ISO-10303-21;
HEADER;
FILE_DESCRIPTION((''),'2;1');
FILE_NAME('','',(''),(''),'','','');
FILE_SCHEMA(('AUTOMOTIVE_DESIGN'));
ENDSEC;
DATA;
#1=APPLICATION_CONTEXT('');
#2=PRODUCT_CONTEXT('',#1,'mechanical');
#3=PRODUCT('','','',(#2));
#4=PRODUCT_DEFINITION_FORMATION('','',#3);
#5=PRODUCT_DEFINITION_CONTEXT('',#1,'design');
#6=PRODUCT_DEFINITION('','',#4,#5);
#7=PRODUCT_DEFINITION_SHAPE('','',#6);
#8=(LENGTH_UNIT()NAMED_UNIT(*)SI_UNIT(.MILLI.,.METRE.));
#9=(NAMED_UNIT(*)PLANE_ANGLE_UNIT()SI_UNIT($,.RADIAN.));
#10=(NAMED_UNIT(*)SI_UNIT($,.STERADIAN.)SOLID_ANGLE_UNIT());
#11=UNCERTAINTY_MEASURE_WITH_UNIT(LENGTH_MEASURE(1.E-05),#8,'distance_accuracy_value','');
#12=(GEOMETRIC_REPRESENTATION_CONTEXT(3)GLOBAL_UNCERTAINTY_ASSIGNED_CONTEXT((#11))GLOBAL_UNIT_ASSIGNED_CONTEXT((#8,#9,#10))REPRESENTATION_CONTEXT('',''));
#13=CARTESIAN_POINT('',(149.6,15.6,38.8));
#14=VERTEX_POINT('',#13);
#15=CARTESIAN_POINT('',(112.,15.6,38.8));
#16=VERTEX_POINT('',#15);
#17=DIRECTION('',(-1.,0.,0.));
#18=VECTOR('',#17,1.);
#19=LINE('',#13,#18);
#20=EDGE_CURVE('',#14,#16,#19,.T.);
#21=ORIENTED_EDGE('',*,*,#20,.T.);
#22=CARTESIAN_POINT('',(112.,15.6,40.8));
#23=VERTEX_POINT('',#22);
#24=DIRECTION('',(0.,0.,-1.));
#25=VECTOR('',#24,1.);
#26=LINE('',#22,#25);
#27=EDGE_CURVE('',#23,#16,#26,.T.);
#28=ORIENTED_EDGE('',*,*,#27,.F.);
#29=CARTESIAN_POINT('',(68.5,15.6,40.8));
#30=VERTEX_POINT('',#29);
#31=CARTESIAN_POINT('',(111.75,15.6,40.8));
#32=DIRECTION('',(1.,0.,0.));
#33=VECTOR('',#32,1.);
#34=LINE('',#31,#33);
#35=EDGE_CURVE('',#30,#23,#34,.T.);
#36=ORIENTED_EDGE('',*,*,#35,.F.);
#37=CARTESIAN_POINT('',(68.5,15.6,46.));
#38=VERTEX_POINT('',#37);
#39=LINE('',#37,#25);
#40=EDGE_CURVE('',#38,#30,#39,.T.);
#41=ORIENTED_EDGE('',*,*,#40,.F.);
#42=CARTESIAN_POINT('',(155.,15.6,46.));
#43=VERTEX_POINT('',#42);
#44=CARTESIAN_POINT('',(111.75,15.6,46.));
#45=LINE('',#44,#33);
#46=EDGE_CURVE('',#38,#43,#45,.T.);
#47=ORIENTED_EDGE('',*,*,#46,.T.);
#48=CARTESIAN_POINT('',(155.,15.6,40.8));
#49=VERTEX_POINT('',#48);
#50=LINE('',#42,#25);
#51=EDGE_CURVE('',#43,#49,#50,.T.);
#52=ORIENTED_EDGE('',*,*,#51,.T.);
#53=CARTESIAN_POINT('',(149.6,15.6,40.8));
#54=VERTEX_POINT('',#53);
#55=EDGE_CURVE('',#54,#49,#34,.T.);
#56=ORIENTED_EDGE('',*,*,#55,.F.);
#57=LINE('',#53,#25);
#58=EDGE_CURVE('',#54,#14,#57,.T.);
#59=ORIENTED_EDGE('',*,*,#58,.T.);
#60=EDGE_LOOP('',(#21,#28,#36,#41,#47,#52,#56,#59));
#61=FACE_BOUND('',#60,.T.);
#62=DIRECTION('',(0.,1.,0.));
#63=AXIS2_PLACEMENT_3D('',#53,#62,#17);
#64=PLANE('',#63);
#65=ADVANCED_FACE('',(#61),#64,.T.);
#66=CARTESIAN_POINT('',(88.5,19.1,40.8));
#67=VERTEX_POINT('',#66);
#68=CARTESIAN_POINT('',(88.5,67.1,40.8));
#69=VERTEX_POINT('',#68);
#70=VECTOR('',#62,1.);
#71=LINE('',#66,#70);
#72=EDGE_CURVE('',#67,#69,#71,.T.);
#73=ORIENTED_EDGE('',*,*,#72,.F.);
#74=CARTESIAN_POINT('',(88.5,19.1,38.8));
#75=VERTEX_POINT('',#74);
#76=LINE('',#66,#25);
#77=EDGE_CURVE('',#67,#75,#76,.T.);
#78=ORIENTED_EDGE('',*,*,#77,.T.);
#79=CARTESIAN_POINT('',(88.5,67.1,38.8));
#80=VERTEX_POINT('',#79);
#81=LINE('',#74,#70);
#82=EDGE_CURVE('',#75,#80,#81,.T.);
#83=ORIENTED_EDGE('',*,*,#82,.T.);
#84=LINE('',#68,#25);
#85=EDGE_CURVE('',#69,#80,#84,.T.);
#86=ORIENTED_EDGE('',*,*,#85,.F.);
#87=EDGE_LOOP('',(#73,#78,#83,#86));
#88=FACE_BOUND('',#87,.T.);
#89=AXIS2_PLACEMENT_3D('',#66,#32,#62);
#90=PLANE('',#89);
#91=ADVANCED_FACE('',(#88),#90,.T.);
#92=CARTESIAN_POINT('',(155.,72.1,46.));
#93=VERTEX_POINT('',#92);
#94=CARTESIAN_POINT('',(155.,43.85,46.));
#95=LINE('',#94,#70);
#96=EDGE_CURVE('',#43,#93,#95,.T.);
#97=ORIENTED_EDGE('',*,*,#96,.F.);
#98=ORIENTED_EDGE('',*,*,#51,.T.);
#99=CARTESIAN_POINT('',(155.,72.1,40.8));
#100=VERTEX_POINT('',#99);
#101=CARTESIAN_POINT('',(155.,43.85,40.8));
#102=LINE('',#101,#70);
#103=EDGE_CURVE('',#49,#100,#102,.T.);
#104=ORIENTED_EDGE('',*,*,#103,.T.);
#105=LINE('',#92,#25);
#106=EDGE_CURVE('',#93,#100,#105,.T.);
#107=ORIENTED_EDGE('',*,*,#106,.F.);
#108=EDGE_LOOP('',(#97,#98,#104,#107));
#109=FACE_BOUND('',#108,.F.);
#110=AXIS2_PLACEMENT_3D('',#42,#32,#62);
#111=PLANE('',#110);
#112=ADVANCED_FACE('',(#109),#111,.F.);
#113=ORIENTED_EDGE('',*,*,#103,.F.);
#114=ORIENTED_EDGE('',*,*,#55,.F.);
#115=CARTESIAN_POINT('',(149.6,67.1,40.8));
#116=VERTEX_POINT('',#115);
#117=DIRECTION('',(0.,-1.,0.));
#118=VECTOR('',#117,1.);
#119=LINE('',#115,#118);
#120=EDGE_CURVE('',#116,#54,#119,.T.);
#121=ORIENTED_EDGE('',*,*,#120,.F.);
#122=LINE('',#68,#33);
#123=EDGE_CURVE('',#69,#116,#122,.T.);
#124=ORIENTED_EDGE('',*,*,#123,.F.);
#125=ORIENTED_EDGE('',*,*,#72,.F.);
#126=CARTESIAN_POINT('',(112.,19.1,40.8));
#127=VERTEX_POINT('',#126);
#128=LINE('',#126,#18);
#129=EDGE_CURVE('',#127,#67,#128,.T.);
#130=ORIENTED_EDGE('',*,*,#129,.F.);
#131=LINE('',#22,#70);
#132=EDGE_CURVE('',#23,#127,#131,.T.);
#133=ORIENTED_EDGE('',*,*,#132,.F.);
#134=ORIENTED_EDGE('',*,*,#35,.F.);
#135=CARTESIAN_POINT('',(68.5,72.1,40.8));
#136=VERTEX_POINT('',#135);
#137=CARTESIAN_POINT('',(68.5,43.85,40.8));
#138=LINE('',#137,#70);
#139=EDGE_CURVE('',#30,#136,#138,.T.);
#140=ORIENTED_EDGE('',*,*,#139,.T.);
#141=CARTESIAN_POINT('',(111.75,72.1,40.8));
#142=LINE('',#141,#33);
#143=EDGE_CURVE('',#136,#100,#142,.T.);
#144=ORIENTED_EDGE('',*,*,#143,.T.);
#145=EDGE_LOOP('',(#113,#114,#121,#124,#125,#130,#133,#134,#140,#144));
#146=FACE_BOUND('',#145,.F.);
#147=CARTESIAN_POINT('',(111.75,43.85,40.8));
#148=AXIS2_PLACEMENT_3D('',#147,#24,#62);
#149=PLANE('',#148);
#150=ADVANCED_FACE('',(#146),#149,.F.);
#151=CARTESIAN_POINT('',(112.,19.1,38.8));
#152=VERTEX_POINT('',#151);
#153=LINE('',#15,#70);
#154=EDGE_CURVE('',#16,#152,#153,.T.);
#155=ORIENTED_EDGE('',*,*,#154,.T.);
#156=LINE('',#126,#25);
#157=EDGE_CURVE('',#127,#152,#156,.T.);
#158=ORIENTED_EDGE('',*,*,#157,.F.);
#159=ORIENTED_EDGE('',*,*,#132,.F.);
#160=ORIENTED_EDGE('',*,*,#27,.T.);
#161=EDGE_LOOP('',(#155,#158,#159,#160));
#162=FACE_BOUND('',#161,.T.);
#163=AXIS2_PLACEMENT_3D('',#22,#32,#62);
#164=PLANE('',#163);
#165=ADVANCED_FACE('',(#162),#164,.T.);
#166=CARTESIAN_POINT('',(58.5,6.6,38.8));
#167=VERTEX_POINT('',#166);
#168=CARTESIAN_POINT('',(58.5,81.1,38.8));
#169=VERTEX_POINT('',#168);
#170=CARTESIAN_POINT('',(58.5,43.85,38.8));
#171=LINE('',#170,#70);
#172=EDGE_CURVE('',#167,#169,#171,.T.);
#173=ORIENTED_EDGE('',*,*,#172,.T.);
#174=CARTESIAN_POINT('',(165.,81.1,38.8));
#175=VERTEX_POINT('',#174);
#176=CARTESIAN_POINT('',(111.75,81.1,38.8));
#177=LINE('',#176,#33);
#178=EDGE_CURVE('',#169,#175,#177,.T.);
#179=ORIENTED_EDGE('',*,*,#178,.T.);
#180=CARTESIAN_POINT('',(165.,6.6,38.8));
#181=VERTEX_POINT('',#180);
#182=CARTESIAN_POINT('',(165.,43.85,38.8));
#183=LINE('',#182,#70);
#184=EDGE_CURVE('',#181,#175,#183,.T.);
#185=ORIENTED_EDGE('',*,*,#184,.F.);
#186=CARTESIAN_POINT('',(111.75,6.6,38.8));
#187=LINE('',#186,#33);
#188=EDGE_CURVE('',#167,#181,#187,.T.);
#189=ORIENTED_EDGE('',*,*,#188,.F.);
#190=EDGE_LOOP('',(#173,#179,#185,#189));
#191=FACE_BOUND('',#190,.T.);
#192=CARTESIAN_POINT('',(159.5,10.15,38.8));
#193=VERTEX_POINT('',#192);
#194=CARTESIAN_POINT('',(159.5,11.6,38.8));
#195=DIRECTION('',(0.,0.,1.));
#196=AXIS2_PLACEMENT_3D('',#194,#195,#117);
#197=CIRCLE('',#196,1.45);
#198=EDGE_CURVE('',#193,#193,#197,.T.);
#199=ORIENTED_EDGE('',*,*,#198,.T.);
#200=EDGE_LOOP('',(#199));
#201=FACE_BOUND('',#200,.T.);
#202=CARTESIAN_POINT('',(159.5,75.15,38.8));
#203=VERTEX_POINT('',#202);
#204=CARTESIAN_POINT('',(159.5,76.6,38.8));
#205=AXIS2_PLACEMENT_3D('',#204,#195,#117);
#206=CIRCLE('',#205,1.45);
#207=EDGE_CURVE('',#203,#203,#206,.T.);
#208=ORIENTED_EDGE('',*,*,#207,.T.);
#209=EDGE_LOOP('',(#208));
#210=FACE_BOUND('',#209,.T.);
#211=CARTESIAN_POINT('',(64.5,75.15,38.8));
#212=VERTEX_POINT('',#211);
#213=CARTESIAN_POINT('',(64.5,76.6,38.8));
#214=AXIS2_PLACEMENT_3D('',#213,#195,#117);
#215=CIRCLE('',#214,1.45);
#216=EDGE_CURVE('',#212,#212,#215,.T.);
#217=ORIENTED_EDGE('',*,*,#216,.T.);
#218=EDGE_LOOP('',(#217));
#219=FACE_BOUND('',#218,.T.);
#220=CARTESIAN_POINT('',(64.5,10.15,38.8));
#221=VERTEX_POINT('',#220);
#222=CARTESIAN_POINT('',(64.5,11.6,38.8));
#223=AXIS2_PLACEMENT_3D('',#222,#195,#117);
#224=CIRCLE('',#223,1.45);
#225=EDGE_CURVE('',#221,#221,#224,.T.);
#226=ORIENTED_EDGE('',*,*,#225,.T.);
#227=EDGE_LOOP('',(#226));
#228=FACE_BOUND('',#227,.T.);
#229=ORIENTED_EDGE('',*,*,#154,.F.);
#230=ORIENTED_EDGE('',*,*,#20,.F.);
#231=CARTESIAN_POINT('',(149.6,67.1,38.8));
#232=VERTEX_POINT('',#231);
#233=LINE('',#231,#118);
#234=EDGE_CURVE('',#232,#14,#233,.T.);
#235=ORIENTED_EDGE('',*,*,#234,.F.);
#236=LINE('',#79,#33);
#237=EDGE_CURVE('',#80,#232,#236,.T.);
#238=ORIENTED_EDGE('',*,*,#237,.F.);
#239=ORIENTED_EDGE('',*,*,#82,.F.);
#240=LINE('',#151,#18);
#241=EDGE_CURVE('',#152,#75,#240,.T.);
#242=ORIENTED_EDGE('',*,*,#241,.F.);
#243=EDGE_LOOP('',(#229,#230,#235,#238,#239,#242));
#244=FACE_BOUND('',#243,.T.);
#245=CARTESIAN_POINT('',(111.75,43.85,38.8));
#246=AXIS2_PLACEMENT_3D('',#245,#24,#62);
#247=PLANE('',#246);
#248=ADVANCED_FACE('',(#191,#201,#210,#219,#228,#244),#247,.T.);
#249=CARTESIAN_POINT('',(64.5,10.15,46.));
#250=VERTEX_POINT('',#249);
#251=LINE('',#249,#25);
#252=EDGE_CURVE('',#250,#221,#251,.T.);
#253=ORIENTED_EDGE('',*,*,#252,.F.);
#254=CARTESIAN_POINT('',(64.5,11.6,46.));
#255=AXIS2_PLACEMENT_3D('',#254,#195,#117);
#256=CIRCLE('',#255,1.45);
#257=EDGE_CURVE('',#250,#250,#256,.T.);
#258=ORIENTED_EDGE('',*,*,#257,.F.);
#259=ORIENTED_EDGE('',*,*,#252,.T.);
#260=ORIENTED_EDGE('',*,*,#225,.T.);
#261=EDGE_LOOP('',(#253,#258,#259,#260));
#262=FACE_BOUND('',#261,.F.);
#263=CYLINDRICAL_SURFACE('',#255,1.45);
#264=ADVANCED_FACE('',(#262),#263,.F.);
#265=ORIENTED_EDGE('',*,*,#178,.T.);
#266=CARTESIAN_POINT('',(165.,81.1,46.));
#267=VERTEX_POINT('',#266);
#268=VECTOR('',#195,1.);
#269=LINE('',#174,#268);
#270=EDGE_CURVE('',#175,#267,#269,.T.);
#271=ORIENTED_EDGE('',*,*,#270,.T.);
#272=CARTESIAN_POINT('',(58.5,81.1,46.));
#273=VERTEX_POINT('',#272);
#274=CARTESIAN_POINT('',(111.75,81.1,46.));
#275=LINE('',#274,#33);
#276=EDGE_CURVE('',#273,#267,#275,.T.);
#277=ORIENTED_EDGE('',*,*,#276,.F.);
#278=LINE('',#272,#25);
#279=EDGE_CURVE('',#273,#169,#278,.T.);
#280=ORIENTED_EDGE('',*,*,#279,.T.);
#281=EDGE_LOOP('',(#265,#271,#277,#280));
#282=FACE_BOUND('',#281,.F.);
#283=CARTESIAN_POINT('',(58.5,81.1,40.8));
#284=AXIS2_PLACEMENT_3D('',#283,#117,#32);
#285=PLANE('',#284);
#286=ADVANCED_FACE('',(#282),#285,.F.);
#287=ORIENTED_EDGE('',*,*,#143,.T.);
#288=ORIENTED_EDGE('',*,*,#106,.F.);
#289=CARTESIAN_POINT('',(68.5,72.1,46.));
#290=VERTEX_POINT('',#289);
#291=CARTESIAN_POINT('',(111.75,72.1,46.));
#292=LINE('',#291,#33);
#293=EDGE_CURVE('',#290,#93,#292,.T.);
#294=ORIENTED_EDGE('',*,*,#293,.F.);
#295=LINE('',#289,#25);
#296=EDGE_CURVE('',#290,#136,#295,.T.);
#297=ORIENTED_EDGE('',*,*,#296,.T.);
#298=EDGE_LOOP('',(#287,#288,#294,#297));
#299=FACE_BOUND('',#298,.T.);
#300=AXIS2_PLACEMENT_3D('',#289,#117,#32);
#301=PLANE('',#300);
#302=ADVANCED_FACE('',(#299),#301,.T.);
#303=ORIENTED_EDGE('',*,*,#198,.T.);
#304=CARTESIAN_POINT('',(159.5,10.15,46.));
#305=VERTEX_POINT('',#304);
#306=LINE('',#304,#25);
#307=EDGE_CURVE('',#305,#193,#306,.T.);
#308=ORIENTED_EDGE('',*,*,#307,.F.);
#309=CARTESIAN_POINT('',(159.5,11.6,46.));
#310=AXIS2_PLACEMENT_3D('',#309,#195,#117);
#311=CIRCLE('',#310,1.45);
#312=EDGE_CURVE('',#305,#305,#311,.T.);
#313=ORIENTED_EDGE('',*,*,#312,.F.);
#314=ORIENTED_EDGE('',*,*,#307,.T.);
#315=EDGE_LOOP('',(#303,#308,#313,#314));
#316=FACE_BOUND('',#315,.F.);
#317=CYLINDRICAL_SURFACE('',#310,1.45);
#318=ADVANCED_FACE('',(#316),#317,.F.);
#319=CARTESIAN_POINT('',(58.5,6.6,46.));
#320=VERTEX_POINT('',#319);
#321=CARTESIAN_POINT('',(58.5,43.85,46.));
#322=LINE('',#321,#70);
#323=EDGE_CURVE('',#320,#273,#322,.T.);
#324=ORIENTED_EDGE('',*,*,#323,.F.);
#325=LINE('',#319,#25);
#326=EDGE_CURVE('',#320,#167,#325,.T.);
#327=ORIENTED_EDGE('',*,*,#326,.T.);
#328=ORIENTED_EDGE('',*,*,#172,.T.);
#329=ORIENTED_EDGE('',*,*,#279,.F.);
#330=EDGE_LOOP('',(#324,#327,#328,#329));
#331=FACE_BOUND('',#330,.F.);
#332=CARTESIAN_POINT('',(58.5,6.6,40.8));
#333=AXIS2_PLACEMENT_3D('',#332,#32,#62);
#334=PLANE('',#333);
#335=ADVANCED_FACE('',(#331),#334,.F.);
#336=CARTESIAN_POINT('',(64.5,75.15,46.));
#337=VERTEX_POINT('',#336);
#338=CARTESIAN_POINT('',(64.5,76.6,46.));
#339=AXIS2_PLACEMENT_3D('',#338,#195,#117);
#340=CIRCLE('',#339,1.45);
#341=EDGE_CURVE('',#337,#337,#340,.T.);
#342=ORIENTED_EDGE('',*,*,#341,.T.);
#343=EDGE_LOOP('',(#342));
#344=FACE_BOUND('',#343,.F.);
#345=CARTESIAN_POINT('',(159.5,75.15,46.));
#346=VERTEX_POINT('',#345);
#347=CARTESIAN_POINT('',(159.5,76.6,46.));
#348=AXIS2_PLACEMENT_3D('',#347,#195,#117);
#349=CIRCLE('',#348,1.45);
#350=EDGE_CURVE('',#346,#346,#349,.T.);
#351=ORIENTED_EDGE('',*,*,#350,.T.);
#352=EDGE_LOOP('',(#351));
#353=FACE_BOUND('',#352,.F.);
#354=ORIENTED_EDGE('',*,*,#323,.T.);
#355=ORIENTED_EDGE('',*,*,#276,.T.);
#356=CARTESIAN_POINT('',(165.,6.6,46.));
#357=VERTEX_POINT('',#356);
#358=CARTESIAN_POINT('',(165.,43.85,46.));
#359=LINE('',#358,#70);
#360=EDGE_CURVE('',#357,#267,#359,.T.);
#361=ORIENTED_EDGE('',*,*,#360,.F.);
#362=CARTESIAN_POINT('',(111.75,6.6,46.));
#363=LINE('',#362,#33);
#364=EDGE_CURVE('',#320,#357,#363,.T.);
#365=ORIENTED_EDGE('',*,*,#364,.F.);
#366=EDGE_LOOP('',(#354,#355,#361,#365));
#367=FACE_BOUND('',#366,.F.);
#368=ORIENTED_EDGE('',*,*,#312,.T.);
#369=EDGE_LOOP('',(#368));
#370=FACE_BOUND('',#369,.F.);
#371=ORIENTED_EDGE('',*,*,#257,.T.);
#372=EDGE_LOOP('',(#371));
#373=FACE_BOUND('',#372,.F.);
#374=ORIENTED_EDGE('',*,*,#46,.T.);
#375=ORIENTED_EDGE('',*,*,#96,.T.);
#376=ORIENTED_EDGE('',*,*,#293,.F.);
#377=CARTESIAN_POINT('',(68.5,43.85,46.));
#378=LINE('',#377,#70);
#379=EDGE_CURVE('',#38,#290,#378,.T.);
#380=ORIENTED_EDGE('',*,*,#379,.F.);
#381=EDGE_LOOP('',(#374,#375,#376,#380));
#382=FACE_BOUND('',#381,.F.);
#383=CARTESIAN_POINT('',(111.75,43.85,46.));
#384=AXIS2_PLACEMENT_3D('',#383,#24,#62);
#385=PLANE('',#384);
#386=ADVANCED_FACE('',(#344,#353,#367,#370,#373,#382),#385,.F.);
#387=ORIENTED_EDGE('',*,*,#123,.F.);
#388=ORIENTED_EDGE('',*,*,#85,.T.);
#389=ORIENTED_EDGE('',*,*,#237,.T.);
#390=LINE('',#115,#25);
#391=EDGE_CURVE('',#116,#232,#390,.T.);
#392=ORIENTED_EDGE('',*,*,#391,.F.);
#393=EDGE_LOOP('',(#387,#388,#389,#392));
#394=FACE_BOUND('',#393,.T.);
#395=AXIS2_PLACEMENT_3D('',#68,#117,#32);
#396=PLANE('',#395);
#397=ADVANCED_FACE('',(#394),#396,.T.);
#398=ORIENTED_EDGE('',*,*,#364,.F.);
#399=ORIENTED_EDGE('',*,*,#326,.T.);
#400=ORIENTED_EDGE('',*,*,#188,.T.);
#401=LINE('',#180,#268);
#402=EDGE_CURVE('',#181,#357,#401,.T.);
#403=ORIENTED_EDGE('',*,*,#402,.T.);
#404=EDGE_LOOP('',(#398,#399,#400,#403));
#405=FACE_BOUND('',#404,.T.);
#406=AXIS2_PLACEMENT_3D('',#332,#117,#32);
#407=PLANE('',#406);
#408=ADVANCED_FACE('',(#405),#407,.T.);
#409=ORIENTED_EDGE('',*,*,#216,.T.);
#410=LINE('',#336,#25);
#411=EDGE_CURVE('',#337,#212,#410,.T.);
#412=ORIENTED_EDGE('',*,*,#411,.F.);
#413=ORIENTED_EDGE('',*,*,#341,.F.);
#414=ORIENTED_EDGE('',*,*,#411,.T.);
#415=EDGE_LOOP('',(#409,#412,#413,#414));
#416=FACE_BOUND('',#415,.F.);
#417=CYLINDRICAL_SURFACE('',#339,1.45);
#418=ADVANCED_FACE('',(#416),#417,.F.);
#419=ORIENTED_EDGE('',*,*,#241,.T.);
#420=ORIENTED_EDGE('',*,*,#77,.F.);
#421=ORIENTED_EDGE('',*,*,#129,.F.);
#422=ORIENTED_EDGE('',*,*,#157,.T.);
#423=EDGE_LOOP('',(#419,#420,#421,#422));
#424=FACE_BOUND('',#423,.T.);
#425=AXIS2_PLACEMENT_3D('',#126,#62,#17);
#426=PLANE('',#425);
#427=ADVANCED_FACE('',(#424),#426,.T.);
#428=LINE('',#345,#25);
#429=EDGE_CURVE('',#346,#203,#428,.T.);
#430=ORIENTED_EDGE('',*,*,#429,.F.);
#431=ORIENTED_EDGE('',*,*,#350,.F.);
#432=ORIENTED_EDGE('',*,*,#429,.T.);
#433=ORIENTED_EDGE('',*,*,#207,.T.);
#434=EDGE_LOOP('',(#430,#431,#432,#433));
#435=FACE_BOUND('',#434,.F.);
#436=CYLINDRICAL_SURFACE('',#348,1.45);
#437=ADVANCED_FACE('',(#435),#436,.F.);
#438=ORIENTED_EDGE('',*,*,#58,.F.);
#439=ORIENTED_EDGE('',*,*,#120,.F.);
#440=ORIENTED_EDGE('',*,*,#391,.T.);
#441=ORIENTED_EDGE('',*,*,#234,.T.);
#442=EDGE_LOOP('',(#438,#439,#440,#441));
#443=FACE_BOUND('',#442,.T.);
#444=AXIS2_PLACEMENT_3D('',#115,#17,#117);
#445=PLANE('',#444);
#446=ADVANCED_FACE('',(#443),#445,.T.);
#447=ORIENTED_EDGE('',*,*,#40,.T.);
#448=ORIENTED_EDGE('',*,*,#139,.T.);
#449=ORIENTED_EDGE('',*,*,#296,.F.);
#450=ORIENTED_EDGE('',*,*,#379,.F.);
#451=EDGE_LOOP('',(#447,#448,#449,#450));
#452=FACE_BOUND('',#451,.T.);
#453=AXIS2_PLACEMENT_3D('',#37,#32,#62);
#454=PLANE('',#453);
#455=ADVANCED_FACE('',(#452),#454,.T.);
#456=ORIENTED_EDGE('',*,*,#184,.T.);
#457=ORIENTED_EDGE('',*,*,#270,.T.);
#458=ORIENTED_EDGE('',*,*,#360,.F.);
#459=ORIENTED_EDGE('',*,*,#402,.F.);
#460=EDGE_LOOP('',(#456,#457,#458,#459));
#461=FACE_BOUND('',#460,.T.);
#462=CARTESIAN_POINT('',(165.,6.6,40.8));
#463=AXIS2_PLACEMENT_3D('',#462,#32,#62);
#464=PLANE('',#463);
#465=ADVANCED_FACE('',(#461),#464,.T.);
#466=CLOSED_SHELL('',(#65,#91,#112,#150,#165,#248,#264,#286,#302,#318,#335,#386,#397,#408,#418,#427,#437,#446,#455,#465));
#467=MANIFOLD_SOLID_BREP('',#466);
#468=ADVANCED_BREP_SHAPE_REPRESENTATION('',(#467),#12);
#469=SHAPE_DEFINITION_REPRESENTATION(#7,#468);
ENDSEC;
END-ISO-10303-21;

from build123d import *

# Parameters (mm, degrees)
SKETCH020_W     = 74.5
SKETCH020_H     = 106.5
SKETCH020_W_2   = 56.5
SKETCH020_H_2   = 86.5
PAD009_DEPTH    = 5.2
SKETCH021_W     = 74.5
SKETCH021_H     = 106.5
PAD010_DEPTH    = 2
SKETCH022_R     = 1.45
POCKET011_DEPTH = 9


with BuildPart() as part:
    # Sketch020 (on ShapeBinder) → Pad009 (new body)
    with BuildSketch(Plane.YX.offset(-46)):
        with Locations((43.85, 111.75)):
            Rectangle(SKETCH020_W, SKETCH020_H)
        with Locations((43.85, 111.75)):
            Rectangle(SKETCH020_W_2, SKETCH020_H_2, mode=Mode.SUBTRACT)
    extrude(amount=PAD009_DEPTH)

    # Sketch021 (on Face10 of Pad009) → Pad010 (join)
    with BuildSketch(Plane.YX.offset(-40.8)):
        with Locations((43.85, 111.75)):
            Rectangle(SKETCH021_W, SKETCH021_H)
        Polygon((67.1, 149.6), (15.6, 149.6), (15.6, 112), (19.1, 112), (19.1, 88.5), (67.1, 88.5), align=None, mode=Mode.SUBTRACT)
    extrude(amount=PAD010_DEPTH)

    # Sketch022 (on Face4 of Pad010) → Pocket011 (cut)
    with BuildSketch(Plane(origin=(0, 0, 46), x_dir=(0, -1, 0), z_dir=(0, 0, 1))):
        with Locations((-76.6, 159.5)):
            Circle(SKETCH022_R)
        with Locations((-11.6, 159.5)):
            Circle(SKETCH022_R)
        with Locations((-11.6, 64.5)):
            Circle(SKETCH022_R)
        with Locations((-76.6, 64.5)):
            Circle(SKETCH022_R)
    extrude(amount=-POCKET011_DEPTH, mode=Mode.SUBTRACT)


solid = part.part
